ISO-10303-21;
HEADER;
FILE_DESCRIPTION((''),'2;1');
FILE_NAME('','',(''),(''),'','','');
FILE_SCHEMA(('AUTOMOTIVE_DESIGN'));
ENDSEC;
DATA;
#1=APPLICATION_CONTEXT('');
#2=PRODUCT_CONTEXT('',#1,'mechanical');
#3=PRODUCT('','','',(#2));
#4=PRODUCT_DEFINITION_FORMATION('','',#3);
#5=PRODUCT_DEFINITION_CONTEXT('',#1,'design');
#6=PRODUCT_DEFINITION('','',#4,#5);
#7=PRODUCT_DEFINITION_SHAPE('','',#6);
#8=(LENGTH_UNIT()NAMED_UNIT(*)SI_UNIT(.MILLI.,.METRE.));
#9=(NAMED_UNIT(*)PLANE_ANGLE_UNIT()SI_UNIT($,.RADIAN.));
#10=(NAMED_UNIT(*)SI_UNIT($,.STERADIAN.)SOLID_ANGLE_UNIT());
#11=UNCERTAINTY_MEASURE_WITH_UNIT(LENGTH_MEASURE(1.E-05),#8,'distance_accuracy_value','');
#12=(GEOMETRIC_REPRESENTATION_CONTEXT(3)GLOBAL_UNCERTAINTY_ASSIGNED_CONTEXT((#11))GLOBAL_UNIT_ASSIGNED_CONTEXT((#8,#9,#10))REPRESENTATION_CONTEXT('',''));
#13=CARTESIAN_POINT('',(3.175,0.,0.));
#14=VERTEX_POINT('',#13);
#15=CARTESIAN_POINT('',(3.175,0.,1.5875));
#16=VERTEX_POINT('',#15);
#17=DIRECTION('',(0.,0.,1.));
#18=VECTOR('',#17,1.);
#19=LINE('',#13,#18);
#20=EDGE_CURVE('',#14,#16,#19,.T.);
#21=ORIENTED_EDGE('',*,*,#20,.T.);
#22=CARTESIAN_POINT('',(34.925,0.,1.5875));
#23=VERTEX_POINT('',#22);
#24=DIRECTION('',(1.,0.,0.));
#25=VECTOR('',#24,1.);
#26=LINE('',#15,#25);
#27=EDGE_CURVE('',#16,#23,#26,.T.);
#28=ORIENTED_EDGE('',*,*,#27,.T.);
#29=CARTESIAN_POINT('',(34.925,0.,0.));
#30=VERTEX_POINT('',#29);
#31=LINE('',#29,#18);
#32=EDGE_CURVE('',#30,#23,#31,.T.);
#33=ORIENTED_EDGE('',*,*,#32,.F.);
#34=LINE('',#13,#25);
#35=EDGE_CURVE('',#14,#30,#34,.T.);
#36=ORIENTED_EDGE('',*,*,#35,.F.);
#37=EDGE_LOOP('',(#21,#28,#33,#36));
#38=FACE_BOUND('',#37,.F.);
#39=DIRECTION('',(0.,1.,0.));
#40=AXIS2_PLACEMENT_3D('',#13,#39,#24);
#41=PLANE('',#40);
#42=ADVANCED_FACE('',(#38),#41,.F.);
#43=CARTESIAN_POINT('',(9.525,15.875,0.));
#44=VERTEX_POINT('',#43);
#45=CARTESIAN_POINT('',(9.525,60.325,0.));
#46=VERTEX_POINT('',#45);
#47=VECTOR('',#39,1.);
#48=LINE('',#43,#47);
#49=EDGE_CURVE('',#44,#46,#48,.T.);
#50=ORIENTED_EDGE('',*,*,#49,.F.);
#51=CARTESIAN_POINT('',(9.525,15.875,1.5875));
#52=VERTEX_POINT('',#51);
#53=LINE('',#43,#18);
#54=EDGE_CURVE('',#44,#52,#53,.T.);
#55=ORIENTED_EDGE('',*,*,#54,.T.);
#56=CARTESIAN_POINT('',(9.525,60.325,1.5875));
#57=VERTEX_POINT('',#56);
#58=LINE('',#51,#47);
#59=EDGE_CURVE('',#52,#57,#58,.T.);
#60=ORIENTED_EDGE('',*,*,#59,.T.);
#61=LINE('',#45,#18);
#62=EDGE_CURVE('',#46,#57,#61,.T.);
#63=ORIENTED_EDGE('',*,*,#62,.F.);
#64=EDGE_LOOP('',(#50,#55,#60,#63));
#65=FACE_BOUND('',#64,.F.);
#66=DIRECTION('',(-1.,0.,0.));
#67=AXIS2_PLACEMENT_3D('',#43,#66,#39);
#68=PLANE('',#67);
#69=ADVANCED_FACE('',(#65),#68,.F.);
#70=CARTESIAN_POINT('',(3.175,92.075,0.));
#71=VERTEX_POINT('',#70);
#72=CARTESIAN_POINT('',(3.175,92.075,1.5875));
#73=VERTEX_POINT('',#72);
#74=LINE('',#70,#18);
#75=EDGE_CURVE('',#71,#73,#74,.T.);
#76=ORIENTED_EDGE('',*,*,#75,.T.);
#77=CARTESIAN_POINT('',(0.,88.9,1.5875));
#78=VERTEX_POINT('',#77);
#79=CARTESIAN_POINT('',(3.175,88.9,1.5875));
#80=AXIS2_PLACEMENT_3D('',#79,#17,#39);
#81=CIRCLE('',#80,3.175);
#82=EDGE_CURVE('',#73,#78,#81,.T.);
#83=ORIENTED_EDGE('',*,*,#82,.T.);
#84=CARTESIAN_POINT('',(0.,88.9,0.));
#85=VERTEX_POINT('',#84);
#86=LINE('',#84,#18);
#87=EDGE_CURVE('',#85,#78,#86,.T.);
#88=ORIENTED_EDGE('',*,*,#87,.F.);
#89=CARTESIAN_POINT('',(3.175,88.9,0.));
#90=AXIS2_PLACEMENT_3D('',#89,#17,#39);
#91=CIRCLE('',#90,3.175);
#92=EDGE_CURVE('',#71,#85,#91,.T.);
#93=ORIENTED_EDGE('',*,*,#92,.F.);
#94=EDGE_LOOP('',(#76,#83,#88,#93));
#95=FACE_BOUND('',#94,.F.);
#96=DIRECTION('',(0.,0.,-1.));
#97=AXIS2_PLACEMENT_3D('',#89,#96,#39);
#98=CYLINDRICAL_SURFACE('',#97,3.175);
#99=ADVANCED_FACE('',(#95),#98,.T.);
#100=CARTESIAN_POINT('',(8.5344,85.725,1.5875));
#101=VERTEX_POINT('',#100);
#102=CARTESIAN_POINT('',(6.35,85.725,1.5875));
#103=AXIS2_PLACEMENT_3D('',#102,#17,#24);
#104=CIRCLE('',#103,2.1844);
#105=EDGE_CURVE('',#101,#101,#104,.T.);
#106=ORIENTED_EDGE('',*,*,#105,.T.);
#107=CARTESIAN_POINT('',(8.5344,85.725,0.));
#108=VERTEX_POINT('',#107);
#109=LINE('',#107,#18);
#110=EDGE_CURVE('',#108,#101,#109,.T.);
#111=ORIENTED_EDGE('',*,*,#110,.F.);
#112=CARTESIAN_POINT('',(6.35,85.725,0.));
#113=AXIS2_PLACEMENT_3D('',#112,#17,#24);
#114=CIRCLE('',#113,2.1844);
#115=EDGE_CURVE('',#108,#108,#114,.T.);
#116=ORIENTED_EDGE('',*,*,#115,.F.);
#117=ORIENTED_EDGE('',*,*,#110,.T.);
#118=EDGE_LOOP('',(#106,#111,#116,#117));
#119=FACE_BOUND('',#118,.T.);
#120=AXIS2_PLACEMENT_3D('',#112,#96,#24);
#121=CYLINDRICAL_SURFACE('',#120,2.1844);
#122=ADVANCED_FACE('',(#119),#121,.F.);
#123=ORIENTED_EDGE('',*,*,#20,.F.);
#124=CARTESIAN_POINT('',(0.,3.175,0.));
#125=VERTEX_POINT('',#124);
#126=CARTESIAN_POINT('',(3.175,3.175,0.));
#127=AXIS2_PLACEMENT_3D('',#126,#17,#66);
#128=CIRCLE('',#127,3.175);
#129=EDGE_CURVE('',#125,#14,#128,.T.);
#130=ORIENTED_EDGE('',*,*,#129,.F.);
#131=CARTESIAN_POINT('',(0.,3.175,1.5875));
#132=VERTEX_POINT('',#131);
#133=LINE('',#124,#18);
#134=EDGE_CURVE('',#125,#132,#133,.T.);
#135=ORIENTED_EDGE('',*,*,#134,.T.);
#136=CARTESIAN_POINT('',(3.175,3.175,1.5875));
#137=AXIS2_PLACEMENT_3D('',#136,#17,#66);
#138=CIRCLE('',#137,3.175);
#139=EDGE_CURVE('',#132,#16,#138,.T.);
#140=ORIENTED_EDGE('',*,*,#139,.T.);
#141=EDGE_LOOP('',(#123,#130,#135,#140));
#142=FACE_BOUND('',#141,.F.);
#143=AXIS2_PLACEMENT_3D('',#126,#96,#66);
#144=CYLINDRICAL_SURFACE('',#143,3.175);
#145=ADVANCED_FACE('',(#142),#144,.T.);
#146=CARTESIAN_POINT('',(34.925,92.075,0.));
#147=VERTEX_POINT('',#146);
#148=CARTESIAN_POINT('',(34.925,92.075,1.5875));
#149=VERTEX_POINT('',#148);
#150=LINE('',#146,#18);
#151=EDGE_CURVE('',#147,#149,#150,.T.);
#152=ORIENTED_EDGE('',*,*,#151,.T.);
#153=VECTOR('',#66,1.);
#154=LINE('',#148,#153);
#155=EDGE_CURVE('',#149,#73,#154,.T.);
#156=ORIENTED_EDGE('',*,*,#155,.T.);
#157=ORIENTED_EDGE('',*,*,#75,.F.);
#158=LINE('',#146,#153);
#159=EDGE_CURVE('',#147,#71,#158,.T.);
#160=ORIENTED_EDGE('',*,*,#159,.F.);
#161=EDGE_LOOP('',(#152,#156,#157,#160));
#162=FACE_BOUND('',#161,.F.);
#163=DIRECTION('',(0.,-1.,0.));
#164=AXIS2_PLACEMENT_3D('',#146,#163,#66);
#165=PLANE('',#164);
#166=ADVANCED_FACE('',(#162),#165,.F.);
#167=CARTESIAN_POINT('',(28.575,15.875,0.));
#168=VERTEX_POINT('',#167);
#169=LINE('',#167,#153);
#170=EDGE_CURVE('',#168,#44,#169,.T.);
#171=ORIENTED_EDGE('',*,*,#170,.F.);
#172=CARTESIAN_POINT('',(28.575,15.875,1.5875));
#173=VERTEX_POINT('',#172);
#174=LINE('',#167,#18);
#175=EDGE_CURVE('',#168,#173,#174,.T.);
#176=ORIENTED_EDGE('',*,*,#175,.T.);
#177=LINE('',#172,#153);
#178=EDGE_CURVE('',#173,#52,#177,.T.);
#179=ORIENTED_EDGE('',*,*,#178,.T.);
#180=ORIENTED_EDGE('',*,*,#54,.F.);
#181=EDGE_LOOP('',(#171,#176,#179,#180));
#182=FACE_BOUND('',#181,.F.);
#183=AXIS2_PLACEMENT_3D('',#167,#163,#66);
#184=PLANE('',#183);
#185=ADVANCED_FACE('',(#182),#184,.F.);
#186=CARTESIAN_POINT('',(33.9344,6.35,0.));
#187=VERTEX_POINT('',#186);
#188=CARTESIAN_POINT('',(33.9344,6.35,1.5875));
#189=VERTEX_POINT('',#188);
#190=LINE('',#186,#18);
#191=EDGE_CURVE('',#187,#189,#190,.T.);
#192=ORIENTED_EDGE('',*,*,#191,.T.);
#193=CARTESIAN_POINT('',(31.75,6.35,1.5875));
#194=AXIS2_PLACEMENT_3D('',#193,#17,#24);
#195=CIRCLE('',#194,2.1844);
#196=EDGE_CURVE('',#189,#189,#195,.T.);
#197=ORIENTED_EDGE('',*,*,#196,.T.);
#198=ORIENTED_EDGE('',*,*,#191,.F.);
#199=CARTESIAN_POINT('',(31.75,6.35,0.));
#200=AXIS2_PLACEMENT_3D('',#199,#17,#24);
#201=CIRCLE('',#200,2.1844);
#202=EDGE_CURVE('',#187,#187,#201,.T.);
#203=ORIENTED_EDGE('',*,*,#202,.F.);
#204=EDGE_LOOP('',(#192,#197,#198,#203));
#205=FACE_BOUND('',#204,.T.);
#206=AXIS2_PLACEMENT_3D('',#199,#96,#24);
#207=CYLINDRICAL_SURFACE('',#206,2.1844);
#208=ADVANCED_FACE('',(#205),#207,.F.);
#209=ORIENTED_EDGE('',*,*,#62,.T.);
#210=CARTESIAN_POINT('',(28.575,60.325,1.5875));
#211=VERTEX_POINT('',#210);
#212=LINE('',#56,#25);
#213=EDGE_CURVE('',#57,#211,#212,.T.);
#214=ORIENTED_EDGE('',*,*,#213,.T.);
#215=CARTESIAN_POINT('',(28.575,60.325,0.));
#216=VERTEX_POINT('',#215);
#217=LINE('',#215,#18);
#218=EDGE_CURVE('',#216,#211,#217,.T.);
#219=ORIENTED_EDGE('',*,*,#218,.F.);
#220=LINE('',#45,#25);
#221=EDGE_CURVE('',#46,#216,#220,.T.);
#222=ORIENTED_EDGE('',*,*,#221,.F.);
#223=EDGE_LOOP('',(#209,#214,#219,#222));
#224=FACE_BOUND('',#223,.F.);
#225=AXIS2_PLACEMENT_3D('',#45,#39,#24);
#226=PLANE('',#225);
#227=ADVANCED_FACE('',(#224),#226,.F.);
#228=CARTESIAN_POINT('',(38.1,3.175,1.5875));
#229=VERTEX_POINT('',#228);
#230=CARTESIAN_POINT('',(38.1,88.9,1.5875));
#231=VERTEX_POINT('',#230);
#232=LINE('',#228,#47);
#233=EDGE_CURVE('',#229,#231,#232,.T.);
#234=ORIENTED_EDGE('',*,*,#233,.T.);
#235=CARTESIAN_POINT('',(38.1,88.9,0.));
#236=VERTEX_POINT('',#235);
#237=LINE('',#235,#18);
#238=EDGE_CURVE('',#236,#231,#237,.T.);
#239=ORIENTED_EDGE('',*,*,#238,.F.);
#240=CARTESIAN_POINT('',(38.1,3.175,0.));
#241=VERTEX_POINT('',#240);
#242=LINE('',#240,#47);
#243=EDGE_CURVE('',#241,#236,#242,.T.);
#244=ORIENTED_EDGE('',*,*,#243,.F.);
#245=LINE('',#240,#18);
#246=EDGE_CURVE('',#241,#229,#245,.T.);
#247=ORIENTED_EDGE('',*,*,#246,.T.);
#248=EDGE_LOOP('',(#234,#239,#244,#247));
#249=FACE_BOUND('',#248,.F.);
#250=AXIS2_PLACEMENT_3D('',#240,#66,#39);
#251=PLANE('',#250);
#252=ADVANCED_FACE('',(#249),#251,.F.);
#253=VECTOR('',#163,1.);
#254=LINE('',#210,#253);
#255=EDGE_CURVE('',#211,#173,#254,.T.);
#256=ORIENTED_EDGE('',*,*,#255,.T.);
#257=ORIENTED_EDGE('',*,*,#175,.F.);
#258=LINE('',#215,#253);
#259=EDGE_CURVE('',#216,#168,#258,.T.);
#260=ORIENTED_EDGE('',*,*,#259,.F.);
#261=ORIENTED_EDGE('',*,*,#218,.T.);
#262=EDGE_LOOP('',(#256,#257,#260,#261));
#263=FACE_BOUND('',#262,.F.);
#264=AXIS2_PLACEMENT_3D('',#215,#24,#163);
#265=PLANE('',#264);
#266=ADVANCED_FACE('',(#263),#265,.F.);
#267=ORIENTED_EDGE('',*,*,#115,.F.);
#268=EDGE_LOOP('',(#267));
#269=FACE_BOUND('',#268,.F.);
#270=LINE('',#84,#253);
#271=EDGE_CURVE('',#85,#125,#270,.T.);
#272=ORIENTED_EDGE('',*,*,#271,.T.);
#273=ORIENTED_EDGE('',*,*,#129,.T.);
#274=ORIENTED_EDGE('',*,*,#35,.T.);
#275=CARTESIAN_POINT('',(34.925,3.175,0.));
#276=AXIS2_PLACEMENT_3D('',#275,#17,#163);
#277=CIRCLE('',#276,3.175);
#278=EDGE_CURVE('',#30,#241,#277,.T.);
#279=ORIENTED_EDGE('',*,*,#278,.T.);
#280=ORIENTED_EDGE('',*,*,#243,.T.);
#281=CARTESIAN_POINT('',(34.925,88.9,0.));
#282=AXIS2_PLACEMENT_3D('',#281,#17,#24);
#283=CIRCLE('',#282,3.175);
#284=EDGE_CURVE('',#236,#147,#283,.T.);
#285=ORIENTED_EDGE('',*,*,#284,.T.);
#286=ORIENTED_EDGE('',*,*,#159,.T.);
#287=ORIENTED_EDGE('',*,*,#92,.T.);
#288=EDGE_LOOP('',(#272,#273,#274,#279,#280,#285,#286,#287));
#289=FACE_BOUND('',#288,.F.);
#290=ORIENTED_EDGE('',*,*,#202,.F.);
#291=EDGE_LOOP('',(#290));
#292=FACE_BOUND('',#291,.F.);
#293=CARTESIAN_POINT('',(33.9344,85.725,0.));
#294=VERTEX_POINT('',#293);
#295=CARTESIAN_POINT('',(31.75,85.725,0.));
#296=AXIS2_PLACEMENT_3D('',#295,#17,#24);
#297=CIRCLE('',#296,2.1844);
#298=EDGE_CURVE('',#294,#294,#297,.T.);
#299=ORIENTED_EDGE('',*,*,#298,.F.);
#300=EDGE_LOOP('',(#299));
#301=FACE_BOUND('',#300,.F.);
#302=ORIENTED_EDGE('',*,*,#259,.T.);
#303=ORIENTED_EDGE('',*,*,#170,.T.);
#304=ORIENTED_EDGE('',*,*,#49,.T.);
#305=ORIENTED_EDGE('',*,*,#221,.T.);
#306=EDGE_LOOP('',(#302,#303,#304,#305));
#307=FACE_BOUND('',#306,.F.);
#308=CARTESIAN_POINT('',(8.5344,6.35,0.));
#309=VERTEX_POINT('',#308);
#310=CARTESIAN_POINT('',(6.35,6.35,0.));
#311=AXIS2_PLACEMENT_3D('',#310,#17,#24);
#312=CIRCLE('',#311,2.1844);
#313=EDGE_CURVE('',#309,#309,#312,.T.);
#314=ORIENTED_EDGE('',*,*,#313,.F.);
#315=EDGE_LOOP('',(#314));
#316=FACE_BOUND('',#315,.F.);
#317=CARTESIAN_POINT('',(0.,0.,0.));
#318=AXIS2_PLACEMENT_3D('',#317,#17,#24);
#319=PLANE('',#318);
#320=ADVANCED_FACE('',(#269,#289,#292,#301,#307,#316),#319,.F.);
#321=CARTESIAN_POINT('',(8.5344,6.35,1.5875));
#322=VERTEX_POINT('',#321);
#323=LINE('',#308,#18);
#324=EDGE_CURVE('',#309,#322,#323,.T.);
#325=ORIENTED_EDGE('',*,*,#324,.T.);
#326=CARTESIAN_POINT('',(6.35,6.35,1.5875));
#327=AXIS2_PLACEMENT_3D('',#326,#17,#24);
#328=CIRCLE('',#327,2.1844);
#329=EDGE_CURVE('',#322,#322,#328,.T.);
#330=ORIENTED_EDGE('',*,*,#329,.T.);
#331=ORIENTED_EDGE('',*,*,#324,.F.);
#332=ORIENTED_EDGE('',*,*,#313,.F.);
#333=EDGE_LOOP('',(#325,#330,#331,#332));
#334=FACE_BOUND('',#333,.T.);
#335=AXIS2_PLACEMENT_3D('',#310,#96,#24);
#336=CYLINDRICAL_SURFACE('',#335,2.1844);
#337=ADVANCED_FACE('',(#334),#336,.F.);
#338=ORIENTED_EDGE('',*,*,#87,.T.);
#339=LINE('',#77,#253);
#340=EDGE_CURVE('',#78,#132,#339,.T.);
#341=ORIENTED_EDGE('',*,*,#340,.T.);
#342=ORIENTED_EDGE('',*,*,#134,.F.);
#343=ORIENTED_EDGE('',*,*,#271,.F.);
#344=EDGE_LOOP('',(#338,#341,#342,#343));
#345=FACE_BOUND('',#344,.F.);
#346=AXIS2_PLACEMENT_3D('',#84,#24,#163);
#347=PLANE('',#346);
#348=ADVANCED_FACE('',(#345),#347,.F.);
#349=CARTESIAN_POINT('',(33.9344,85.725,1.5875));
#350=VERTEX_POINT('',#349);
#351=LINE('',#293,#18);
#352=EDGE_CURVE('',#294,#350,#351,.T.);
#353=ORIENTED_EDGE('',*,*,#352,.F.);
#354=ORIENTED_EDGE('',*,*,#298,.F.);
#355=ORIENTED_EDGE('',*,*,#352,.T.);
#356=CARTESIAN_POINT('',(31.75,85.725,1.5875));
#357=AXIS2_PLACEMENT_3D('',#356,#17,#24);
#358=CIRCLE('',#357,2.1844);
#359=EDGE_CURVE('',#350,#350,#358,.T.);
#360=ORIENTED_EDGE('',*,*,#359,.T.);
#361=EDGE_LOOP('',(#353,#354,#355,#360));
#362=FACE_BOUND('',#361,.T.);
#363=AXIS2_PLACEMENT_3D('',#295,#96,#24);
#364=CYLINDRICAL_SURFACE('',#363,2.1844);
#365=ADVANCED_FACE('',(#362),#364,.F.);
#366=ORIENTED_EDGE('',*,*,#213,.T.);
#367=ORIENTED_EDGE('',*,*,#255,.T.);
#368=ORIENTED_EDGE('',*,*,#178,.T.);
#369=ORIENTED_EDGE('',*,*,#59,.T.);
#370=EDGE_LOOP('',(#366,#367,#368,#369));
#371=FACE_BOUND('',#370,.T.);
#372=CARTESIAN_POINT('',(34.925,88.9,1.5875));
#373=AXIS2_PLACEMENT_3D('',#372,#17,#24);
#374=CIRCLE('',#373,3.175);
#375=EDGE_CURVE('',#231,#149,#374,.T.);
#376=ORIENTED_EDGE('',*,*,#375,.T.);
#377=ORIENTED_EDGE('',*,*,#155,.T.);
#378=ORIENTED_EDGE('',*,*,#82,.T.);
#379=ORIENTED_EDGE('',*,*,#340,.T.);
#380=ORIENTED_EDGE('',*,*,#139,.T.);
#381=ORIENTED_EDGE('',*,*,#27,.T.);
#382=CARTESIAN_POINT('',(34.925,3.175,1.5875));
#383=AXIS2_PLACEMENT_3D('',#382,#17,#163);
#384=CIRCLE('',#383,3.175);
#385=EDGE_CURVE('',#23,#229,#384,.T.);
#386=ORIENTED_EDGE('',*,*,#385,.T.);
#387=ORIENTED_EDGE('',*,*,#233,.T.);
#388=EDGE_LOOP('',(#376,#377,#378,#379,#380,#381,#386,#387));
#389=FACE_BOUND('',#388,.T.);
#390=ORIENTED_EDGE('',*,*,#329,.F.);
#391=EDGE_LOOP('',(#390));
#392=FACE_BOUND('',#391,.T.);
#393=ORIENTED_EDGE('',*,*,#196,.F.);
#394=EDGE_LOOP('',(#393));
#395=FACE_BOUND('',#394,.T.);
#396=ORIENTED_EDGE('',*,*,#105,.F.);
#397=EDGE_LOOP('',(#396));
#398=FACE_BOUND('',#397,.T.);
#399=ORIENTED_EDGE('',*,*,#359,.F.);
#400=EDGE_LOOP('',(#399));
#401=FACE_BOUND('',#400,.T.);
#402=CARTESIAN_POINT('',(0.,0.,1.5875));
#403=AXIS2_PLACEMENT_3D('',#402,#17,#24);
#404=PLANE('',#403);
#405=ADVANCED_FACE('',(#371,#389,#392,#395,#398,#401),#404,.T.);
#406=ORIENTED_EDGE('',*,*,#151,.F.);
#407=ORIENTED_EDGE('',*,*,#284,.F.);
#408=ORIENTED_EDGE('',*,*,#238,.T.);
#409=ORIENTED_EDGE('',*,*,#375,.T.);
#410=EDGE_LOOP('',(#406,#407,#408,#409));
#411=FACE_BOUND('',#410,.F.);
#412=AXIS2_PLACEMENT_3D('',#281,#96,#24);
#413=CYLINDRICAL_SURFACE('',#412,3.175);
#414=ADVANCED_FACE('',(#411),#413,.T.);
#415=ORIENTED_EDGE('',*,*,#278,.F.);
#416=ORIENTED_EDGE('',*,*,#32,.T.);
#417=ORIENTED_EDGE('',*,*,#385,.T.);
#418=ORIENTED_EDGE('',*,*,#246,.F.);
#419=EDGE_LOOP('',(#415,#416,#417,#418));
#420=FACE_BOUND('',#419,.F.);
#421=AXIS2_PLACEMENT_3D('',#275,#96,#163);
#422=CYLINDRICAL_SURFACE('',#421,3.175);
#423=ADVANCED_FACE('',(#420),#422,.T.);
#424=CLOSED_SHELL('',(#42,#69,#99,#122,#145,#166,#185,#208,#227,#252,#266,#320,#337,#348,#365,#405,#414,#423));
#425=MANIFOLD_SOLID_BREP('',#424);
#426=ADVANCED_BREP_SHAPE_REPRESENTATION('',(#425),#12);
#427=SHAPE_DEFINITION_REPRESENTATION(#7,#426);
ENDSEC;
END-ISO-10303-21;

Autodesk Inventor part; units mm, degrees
ref_plane "YZ Plane" through (0, 0, 0) normal (1, 0, 0) x (0, 1, 0)
ref_plane "XZ Plane" through (0, 0, 0) normal (0, 1, 0) x (-1, 0, 0)
ref_plane "XY Plane" through (0, 0, 0) normal (0, 0, 1) x (1, 0, 0)
sketch "Sketch1" plane through (0, 0, 0) normal (0, 0, 1) x (1, 0, 0)
  line L0 (3.175, 0) -> (34.925, 0)
  line L1 (38.1, 3.175) -> (38.1, 88.9)
  line L2 (34.925, 92.075) -> (3.175, 92.075)
  line L3 (0, 88.9) -> (0, 3.175)
  circle A0 centre (6.35, 85.725) radius 2.1844
  circle A1 centre (31.75, 85.725) radius 2.1844
  circle A2 centre (31.75, 6.35) radius 2.1844
  circle A3 centre (6.35, 6.35) radius 2.1844
  arc A4 (3.175, 92.075) -> (0, 88.9) centre (3.175, 88.9) ccw
  arc A5 (38.1, 88.9) -> (34.925, 92.075) centre (34.925, 88.9) ccw
  arc A6 (34.925, 0) -> (38.1, 3.175) centre (34.925, 3.175) ccw
  arc A7 (0, 3.175) -> (3.175, 0) centre (3.175, 3.175) ccw
  line L4 (9.525, 60.325) -> (28.575, 60.325)
  line L5 (28.575, 60.325) -> (28.575, 15.875)
  line L6 (28.575, 15.875) -> (9.525, 15.875)
  line L7 (9.525, 15.875) -> (9.525, 60.325)
  point P0 (0, 0)
  point P1 (38.1, 92.075)
  point P2 (38.1, 0)
  point P3 (0, 92.075)
  dimension "d0" = 38.1
  dimension "d1" = 92.075
  dimension "d2" = 4.3688
  dimension "d3" = 4.3688
  dimension "d4" = 4.3688
  dimension "d5" = 4.3688
  dimension "d6" = 0
  dimension "d7" = 25.4
  dimension "d8" = 0
  dimension "d9" = 79.375
  dimension "d10" = 0
  dimension "d11" = 79.375
  dimension "d12" = 6.35
  dimension "d13" = 6.35
  dimension "d14" = 3.175
  dimension "d16" = 25.4
  dimension "d17" = 9.525
  dimension "d18" = 9.525
  dimension "d19" = 9.525
extrude "Extrusion1" add sketch "Sketch1" along normal blind 1.5875
properties part number "odompoly"
